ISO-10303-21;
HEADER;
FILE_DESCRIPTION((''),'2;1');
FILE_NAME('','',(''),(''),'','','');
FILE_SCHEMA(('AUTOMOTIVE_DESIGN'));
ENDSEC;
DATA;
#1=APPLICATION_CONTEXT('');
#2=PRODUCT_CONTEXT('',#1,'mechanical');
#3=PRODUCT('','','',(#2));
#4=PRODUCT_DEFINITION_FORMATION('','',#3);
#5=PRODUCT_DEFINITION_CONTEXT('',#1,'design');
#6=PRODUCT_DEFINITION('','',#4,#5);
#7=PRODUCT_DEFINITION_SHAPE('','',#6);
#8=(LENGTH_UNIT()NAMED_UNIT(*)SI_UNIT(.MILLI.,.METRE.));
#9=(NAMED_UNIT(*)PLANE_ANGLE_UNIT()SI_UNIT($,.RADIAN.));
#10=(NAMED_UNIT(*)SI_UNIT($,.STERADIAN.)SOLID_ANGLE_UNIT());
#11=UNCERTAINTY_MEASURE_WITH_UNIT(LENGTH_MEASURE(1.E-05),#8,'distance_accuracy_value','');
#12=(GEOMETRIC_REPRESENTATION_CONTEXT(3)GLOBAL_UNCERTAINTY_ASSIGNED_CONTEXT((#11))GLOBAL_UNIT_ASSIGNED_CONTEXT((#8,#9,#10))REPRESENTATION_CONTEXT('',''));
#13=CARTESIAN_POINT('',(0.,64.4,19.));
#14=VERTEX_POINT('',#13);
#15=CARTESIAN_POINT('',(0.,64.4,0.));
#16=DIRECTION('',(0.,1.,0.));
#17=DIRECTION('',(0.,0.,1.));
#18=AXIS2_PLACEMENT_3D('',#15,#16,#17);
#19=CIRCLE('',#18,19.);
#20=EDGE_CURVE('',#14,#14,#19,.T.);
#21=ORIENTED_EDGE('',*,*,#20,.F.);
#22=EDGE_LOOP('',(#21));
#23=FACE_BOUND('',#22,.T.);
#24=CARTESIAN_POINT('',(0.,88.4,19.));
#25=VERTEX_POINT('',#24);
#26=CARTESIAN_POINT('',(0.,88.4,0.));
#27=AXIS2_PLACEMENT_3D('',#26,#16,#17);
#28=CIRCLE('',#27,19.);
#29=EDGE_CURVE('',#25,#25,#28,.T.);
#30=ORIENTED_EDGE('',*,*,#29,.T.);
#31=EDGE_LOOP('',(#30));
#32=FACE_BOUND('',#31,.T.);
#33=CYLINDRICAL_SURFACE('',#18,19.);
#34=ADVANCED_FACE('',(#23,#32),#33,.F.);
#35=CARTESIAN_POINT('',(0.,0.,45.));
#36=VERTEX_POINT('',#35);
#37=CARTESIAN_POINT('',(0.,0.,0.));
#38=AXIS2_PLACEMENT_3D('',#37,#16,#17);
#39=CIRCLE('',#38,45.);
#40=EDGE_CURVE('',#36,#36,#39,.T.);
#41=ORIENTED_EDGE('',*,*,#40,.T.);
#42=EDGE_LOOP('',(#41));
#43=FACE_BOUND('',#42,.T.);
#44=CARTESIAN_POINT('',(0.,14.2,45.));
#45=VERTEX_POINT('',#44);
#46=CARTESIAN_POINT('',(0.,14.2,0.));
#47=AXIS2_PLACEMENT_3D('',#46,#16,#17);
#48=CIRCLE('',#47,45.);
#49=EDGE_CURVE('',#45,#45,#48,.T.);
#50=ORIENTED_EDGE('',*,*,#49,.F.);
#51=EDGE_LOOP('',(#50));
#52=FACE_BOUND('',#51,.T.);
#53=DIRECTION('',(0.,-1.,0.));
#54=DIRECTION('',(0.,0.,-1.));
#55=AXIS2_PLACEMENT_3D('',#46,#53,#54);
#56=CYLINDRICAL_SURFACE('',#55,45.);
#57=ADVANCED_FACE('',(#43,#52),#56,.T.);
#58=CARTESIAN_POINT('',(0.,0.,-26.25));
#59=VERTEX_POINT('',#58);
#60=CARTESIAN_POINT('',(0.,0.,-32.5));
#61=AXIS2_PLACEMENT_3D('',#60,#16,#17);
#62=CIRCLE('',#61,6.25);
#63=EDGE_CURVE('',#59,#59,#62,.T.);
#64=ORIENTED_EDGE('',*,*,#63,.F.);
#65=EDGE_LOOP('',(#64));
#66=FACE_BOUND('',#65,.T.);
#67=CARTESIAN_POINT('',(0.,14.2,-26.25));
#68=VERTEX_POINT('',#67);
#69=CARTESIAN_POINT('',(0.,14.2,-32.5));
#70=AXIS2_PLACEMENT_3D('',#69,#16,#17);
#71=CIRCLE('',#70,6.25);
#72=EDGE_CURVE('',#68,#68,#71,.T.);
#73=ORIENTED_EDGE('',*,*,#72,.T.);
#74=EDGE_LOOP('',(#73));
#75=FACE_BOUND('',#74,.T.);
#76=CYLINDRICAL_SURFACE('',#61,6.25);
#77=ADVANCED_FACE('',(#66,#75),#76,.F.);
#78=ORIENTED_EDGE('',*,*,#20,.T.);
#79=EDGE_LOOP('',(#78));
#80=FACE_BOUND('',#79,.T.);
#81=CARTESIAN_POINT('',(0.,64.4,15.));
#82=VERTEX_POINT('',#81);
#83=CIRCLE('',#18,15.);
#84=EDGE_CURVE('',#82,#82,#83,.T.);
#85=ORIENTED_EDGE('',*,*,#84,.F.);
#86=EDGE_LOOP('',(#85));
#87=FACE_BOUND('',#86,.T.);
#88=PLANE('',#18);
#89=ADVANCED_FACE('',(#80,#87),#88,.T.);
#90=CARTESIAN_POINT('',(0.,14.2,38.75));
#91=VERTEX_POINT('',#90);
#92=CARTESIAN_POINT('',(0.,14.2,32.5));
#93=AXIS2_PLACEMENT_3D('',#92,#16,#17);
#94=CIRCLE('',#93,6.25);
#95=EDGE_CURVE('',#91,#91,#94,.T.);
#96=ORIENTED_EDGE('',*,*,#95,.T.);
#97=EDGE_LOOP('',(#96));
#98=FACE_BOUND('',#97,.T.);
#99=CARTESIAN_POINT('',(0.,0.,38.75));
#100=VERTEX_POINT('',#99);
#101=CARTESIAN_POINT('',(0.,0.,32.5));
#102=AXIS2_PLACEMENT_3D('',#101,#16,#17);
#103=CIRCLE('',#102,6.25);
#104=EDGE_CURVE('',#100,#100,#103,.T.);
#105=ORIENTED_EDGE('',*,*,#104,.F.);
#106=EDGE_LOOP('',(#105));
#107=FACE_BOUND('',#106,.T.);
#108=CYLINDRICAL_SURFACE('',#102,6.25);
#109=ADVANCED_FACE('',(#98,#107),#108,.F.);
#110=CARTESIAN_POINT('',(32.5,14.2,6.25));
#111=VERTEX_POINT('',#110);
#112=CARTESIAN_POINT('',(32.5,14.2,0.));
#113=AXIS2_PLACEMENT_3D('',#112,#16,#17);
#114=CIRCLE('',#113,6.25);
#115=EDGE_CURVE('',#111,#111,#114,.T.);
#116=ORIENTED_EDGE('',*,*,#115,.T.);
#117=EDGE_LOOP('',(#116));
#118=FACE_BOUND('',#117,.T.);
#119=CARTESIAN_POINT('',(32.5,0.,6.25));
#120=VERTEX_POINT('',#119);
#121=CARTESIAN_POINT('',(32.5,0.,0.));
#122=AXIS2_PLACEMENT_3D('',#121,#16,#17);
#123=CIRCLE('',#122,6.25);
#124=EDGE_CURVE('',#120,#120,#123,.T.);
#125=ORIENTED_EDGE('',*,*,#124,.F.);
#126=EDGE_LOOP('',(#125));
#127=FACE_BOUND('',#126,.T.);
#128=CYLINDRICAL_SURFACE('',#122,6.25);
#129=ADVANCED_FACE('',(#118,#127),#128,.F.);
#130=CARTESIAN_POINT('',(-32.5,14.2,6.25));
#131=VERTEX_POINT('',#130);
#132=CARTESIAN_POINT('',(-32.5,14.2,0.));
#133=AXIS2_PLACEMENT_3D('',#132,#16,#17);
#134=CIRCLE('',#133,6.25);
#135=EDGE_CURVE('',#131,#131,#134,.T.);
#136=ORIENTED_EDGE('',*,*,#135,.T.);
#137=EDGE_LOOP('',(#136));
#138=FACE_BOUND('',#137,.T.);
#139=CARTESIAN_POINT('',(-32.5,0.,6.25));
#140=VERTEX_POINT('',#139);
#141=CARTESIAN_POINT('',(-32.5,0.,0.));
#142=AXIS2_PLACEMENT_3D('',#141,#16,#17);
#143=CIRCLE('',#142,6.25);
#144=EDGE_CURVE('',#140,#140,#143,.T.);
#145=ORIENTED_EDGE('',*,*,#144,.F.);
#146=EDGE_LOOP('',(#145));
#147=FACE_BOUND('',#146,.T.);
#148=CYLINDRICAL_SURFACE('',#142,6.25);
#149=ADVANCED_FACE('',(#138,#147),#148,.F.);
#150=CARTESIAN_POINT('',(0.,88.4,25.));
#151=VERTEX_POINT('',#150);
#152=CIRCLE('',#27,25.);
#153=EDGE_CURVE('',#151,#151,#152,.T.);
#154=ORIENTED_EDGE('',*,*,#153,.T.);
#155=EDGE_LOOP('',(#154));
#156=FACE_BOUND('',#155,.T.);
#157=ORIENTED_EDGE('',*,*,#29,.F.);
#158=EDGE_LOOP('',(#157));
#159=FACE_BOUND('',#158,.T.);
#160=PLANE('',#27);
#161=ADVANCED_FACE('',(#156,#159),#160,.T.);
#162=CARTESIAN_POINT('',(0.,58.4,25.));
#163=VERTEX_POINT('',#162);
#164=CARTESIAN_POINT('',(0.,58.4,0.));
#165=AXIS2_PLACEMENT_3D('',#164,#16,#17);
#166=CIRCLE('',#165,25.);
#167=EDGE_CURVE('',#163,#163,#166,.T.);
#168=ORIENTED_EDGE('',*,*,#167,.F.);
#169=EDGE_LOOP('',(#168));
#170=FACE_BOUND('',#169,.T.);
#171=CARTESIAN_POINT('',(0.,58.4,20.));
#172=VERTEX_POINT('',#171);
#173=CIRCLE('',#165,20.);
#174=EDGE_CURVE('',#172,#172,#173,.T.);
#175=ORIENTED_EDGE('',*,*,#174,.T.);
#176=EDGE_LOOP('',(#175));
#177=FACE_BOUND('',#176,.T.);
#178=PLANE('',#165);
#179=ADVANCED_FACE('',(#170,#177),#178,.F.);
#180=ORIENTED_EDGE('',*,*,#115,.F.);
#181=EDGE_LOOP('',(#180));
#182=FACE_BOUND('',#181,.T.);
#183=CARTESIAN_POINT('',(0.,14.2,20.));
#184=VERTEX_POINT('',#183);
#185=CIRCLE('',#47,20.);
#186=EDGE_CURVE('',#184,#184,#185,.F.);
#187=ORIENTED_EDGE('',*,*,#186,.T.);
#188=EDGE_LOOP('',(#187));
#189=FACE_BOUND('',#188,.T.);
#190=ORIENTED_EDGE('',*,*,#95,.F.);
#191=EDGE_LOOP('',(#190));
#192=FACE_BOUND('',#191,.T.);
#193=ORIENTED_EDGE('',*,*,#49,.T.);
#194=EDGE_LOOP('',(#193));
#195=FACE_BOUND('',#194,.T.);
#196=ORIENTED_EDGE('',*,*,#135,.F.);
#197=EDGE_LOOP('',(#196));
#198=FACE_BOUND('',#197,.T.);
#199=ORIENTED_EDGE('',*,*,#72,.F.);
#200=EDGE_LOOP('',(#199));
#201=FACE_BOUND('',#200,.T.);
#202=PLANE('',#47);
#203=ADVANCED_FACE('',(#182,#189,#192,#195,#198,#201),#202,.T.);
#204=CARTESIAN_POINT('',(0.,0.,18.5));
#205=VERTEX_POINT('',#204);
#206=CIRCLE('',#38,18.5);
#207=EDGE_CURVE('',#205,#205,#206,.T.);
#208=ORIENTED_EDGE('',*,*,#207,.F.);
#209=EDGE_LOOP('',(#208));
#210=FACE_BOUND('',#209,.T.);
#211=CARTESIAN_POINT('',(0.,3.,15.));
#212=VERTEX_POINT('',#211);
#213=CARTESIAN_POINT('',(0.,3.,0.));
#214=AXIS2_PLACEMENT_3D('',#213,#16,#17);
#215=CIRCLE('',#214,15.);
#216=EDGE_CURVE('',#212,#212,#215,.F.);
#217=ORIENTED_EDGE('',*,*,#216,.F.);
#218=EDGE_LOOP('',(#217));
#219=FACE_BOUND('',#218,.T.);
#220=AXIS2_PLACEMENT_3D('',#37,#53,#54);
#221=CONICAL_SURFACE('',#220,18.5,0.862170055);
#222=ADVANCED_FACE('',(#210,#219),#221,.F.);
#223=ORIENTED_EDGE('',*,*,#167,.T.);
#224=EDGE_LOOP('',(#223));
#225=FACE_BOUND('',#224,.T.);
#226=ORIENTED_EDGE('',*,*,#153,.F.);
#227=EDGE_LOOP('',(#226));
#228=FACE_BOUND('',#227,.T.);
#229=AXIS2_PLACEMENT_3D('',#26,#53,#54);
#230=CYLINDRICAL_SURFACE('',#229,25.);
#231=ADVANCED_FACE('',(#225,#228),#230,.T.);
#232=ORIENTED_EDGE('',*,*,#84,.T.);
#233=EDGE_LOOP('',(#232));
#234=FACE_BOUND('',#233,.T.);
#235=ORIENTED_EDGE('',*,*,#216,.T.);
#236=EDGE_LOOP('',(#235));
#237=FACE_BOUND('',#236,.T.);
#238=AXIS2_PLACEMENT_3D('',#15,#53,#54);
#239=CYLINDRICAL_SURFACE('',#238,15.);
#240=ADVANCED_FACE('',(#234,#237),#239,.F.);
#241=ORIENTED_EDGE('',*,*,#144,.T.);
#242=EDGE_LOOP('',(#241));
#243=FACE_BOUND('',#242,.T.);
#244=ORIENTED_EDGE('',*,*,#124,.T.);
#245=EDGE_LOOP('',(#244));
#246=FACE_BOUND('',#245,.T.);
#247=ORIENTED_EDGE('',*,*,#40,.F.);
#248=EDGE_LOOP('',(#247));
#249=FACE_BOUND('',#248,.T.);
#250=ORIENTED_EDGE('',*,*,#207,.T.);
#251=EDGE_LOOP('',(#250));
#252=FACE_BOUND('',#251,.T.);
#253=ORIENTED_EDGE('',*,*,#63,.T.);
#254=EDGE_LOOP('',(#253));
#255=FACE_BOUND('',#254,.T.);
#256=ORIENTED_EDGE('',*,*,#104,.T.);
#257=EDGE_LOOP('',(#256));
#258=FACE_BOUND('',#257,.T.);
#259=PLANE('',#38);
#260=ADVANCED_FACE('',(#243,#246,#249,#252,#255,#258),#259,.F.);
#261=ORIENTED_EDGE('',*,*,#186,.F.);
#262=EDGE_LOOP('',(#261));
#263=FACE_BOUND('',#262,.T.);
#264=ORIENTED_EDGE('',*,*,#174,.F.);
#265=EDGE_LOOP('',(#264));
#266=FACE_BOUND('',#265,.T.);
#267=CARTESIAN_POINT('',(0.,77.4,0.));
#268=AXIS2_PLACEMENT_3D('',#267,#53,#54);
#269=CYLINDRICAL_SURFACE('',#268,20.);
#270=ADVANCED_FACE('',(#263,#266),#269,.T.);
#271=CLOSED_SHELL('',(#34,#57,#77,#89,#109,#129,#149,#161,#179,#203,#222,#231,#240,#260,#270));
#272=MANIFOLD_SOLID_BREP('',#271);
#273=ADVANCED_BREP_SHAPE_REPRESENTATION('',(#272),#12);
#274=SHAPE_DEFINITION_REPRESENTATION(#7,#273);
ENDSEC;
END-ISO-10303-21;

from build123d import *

# Parameters (mm, degrees)
CROQUIS2_R              = 45
SALIENTE_EXTRUIR1_DEPTH = 14.2
CROQUIS3_R              = 20
SALIENTE_EXTRUIR3_DEPTH = 77.4
CROQUIS7_R              = 25
SALIENTE_EXTRUIR5_DEPTH = 30
CROQUIS13_R             = 15
CORTAR_EXTRUIR4_DEPTH   = 64.4
CHAFL_N1_SIZE           = 3
CHAFL_N1_SIZE2          = 3.5
CROQUIS14_R             = 19
CORTAR_EXTRUIR5_DEPTH   = 24
CROQUIS15_R             = 6.25
CORTAR_EXTRUIR6_DEPTH   = 14.2


with BuildPart() as part:
    # Croquis2 → Saliente-Extruir1 (new body)
    with BuildSketch(Plane(origin=(0, 0, 0), x_dir=(1, 0, 0), z_dir=(0, 1, 0))):
        with Locations(Location((0, 0, 0), (0, 0, 270))):
            Circle(CROQUIS2_R)
    extrude(amount=SALIENTE_EXTRUIR1_DEPTH)

    # Croquis3 → Saliente-Extruir3 (add)
    with BuildSketch(Plane(origin=(0, 0, 0), x_dir=(1, 0, 0), z_dir=(0, 1, 0))):
        with Locations(Location((0, 0, 0), (0, 0, 270))):
            Circle(CROQUIS3_R)
    extrude(amount=SALIENTE_EXTRUIR3_DEPTH)

    # Croquis7 → Saliente-Extruir5 (add)
    with BuildSketch(Plane(origin=(0, 58.4, 0), x_dir=(1, 0, 0), z_dir=(0, 1, 0))):
        with Locations(Location((0, 0, 0), (0, 0, 270))):
            Circle(CROQUIS7_R)
    extrude(amount=SALIENTE_EXTRUIR5_DEPTH)

    # Croquis13 → Cortar-Extruir4 (cut)
    with BuildSketch(Plane(origin=(0, 0, 0), x_dir=(1, 0, 0), z_dir=(0, 1, 0))):
        with Locations(Location((0, 0, 0), (0, 0, 270))):
            Circle(CROQUIS13_R)
    extrude(amount=CORTAR_EXTRUIR4_DEPTH, mode=Mode.SUBTRACT)

    # Chaflán1
    chafl_n1_edges = [part.edges().sort_by_distance(p)[0] for p in [
        (0, 0, -15),
    ]]
    chafl_n1_side = [part.faces().sort_by_distance(p)[0] for p in [
        (0, 32.2, -15),
    ]]
    chamfer(chafl_n1_edges, length=CHAFL_N1_SIZE, length2=CHAFL_N1_SIZE2, reference=chafl_n1_side[0])

    # Croquis14 → Cortar-Extruir5 (cut)
    with BuildSketch(Plane(origin=(0, 88.4, 0), x_dir=(1, 0, 0), z_dir=(0, 1, 0))):
        with Locations(Location((0, 0, 0), (0, 0, 270))):
            Circle(CROQUIS14_R)
    extrude(amount=-CORTAR_EXTRUIR5_DEPTH, mode=Mode.SUBTRACT)

    # Croquis15 → Cortar-Extruir6 (cut)
    with BuildSketch(Plane(origin=(0, 14.2, 0), x_dir=(1, 0, 0), z_dir=(0, 1, 0))):
        with Locations(Location((0, -32.5, 0), (0, 0, 270))):
            Circle(CROQUIS15_R)
        with Locations(Location((-32.5, 0, 0), (0, 0, 270))):
            Circle(CROQUIS15_R)
        with Locations(Location((0, 32.5, 0), (0, 0, 270))):
            Circle(CROQUIS15_R)
        with Locations(Location((32.5, 0, 0), (0, 0, 270))):
            Circle(CROQUIS15_R)
    extrude(amount=-CORTAR_EXTRUIR6_DEPTH, mode=Mode.SUBTRACT)


solid = part.part
